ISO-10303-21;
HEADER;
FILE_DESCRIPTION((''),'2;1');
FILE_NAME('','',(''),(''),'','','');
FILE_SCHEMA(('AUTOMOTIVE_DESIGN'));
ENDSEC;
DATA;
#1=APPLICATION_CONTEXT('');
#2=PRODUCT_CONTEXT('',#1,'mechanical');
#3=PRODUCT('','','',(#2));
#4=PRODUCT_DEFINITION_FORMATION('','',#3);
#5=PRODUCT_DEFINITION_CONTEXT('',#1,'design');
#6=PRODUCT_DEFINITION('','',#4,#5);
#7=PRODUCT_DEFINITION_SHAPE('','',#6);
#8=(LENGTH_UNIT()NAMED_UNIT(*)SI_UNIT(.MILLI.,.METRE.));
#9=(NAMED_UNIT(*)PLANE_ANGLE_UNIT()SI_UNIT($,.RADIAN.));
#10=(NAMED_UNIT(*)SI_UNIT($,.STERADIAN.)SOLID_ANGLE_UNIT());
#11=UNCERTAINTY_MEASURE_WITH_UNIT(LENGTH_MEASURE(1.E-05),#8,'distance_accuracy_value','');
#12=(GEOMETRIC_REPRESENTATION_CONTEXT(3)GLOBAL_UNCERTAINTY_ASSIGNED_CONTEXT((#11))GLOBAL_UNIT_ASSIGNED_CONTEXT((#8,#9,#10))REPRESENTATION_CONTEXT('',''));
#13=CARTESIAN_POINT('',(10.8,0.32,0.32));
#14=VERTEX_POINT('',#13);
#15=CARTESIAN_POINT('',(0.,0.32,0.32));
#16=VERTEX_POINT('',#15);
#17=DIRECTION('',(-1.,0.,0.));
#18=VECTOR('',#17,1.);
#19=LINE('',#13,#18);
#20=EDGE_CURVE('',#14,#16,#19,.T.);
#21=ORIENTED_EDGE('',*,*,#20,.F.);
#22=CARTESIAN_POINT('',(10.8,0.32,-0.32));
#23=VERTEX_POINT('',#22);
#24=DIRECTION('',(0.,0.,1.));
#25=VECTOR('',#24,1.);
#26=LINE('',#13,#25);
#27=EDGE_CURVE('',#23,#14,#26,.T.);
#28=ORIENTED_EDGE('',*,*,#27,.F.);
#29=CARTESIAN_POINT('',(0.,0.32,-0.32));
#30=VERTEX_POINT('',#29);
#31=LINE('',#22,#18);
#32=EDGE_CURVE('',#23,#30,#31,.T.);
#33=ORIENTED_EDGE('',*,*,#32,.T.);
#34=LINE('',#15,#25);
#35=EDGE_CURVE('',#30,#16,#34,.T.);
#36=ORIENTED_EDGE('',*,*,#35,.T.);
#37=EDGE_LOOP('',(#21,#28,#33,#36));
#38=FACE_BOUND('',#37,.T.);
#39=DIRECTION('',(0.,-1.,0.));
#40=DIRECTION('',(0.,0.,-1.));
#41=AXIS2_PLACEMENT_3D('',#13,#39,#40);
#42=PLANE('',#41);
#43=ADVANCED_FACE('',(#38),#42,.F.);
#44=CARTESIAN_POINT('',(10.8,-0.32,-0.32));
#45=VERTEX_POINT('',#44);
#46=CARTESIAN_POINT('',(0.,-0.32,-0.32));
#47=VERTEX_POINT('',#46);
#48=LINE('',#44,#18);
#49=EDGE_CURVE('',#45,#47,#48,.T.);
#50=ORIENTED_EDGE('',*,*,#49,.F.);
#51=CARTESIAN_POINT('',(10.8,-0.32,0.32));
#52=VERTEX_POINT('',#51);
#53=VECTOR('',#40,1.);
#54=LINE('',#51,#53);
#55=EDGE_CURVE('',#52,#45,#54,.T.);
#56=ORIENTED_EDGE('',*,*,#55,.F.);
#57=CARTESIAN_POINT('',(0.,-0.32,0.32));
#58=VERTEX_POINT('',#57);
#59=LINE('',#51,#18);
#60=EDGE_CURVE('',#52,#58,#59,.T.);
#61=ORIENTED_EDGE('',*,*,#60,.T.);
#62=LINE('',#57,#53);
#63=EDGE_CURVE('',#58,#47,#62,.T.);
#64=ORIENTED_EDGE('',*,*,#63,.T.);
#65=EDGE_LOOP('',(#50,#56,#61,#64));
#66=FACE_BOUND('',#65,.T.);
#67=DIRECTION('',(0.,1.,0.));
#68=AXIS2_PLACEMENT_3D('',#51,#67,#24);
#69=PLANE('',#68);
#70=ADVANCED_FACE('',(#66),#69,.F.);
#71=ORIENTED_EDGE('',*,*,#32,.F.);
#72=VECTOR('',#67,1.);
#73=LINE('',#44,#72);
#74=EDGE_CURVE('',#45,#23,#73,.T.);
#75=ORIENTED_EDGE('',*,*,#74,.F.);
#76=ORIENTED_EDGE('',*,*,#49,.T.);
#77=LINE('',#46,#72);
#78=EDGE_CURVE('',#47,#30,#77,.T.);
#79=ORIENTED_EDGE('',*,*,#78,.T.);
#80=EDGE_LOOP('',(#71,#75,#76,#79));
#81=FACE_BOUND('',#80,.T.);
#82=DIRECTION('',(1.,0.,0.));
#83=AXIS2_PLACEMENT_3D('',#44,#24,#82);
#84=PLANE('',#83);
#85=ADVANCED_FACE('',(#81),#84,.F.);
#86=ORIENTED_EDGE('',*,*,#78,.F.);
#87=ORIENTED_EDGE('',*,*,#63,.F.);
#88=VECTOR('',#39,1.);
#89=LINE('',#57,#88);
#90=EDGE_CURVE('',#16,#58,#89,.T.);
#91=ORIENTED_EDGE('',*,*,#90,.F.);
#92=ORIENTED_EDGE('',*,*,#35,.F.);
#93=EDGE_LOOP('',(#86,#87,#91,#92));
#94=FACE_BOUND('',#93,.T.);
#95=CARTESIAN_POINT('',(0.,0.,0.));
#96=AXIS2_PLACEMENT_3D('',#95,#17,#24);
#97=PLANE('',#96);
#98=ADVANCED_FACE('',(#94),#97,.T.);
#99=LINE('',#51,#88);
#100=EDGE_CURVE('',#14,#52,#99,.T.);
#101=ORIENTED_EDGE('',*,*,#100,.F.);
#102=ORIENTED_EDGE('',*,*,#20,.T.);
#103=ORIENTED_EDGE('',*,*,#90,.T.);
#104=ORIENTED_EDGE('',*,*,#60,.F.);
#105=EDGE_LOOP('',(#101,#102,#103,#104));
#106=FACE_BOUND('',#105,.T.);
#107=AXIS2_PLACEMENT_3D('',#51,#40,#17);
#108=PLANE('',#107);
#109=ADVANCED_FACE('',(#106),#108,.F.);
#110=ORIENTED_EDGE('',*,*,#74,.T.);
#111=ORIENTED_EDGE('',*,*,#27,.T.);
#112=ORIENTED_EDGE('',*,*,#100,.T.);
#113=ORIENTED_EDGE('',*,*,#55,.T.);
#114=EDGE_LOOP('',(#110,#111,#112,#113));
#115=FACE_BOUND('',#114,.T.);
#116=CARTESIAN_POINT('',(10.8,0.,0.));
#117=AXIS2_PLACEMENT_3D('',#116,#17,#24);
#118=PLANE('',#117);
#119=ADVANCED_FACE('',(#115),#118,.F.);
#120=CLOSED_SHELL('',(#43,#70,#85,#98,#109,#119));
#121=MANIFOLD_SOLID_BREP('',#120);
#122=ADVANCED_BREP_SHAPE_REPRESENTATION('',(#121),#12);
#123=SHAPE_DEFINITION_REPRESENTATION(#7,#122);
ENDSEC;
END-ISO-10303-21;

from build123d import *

# Parameters (mm, degrees)
SKETCH2_W           = 0.64
SKETCH2_H           = 0.64
BOSS_EXTRUDE1_DEPTH = 10.8


with BuildPart() as part:
    # Sketch2 → Boss-Extrude1 (new body)
    with BuildSketch(Plane(origin=(0, 0, 0), x_dir=(0, 0, -1), z_dir=(1, 0, 0))):
        Rectangle(SKETCH2_W, SKETCH2_H)
    extrude(amount=BOSS_EXTRUDE1_DEPTH)


solid = part.part
